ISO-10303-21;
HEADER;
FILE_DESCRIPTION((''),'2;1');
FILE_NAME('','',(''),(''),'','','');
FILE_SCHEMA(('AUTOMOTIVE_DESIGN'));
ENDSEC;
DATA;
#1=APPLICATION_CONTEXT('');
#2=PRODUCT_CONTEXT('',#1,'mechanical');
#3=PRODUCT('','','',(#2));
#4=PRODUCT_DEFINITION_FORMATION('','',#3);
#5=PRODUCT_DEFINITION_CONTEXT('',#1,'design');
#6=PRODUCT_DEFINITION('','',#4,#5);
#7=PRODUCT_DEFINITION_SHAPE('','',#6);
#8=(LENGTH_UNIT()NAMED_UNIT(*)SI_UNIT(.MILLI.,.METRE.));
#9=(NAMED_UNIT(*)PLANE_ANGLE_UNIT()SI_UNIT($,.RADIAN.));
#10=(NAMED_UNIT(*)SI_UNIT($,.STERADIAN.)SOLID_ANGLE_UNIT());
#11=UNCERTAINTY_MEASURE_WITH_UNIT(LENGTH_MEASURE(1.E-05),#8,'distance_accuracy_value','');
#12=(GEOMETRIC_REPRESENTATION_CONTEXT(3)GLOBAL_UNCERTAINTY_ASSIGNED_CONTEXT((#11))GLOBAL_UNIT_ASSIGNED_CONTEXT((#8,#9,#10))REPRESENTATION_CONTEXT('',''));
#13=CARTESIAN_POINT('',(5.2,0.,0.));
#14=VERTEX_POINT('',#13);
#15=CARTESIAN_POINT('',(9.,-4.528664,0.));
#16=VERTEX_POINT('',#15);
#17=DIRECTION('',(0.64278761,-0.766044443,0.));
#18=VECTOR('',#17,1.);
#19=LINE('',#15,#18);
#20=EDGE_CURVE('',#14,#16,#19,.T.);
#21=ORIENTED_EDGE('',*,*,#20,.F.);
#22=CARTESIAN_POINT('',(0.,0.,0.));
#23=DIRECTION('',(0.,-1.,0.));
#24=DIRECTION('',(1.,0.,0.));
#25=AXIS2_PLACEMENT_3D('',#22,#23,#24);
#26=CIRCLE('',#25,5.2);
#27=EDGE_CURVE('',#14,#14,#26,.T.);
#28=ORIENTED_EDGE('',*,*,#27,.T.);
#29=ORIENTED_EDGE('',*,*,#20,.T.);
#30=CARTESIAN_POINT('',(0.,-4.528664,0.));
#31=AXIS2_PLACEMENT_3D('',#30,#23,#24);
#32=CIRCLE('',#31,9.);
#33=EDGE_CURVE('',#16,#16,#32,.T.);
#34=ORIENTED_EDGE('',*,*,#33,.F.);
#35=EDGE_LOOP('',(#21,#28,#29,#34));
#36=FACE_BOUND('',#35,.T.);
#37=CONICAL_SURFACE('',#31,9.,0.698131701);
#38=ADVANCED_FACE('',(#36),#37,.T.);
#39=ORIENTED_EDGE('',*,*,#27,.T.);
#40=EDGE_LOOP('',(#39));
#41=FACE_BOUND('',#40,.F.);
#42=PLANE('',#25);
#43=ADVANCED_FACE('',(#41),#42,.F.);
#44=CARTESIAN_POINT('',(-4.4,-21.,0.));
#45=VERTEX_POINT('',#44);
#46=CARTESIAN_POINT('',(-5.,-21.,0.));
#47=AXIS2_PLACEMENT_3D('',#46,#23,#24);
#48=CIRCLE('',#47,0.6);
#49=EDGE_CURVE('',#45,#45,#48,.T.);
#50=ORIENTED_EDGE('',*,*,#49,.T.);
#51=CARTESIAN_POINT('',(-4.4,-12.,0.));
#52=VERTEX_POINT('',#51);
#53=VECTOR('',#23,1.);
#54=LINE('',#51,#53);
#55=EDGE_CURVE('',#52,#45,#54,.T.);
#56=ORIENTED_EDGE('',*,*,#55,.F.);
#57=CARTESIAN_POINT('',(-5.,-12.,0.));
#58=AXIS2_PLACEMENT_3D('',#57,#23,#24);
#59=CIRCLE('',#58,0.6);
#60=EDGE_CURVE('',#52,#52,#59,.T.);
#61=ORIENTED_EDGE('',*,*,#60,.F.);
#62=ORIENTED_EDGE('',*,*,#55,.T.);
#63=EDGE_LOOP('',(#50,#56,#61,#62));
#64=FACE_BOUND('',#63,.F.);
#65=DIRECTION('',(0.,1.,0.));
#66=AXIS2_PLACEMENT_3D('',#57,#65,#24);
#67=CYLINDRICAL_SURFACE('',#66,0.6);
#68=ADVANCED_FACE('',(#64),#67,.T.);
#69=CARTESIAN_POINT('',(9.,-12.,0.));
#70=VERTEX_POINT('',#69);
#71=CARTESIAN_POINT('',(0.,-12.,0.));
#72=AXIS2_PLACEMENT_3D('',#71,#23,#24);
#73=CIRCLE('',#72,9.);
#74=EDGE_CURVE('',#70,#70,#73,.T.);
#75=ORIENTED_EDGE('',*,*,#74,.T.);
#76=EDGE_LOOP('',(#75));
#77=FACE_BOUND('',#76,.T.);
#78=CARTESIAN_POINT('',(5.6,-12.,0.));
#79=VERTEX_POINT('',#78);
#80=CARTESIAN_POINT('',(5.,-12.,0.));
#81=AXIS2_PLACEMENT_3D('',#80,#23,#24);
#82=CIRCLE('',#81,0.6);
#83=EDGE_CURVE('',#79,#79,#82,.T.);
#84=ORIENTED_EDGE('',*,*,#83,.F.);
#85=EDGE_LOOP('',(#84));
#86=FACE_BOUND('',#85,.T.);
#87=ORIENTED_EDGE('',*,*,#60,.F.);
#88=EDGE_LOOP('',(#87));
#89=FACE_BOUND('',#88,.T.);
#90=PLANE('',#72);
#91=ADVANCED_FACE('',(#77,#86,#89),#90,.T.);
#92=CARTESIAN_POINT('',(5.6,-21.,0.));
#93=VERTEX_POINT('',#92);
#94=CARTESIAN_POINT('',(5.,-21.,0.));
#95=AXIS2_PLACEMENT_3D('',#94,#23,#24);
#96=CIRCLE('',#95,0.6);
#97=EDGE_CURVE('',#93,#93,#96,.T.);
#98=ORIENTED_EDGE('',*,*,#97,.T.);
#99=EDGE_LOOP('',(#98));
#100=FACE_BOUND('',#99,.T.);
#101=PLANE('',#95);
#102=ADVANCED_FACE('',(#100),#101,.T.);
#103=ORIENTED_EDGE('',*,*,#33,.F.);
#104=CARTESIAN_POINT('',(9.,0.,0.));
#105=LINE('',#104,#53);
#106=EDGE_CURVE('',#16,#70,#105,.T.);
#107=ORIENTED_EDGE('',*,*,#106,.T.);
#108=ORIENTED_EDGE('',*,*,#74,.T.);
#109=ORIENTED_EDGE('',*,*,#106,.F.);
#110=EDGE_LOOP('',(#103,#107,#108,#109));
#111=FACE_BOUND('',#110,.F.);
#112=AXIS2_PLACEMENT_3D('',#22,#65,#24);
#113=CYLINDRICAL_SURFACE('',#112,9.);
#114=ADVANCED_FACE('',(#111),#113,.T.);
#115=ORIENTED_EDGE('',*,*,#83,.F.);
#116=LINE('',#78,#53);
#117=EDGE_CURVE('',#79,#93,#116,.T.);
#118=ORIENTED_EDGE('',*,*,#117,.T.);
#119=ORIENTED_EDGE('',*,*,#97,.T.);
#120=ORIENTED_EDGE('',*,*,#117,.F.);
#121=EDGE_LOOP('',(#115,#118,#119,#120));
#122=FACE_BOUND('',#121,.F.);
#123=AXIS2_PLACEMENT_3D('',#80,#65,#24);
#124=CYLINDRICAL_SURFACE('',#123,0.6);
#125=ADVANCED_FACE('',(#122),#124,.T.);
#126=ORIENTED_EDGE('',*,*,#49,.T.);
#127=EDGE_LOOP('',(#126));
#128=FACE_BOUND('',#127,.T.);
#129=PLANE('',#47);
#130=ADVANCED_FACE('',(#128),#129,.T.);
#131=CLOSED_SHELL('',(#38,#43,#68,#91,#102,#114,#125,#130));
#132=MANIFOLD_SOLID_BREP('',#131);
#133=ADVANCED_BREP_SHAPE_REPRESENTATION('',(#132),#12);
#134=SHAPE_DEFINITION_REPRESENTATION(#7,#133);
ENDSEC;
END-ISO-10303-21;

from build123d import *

# Parameters (mm, degrees)
F0_R     = 9
F1_DEPTH = 12
F2_SIZE2 = 4.5286636519
F2_SIZE  = 3.8
F3_R     = 0.6
F4_DEPTH = 9


with BuildPart() as f1:
    # F0 (on Front) → F1 (new body)
    with BuildSketch(Plane.XZ):
        Circle(F0_R)
    extrude(amount=F1_DEPTH)

    # F2
    f2_edges = [f1.edges().sort_by_distance(p)[0] for p in [
        (-9, 0, 0),
    ]]
    f2_side = f1.faces().sort_by_distance((0, 0, 0))[0]
    chamfer(f2_edges, length=F2_SIZE, length2=F2_SIZE2, reference=f2_side)

    # F3 (on face) → F4 (join)
    with BuildSketch(Plane.XZ.offset(12)):
        with Locations((-5, 0)):
            Circle(F3_R)
        with Locations((5, 0)):
            Circle(F3_R)
    extrude(amount=F4_DEPTH)


solid = f1.part
